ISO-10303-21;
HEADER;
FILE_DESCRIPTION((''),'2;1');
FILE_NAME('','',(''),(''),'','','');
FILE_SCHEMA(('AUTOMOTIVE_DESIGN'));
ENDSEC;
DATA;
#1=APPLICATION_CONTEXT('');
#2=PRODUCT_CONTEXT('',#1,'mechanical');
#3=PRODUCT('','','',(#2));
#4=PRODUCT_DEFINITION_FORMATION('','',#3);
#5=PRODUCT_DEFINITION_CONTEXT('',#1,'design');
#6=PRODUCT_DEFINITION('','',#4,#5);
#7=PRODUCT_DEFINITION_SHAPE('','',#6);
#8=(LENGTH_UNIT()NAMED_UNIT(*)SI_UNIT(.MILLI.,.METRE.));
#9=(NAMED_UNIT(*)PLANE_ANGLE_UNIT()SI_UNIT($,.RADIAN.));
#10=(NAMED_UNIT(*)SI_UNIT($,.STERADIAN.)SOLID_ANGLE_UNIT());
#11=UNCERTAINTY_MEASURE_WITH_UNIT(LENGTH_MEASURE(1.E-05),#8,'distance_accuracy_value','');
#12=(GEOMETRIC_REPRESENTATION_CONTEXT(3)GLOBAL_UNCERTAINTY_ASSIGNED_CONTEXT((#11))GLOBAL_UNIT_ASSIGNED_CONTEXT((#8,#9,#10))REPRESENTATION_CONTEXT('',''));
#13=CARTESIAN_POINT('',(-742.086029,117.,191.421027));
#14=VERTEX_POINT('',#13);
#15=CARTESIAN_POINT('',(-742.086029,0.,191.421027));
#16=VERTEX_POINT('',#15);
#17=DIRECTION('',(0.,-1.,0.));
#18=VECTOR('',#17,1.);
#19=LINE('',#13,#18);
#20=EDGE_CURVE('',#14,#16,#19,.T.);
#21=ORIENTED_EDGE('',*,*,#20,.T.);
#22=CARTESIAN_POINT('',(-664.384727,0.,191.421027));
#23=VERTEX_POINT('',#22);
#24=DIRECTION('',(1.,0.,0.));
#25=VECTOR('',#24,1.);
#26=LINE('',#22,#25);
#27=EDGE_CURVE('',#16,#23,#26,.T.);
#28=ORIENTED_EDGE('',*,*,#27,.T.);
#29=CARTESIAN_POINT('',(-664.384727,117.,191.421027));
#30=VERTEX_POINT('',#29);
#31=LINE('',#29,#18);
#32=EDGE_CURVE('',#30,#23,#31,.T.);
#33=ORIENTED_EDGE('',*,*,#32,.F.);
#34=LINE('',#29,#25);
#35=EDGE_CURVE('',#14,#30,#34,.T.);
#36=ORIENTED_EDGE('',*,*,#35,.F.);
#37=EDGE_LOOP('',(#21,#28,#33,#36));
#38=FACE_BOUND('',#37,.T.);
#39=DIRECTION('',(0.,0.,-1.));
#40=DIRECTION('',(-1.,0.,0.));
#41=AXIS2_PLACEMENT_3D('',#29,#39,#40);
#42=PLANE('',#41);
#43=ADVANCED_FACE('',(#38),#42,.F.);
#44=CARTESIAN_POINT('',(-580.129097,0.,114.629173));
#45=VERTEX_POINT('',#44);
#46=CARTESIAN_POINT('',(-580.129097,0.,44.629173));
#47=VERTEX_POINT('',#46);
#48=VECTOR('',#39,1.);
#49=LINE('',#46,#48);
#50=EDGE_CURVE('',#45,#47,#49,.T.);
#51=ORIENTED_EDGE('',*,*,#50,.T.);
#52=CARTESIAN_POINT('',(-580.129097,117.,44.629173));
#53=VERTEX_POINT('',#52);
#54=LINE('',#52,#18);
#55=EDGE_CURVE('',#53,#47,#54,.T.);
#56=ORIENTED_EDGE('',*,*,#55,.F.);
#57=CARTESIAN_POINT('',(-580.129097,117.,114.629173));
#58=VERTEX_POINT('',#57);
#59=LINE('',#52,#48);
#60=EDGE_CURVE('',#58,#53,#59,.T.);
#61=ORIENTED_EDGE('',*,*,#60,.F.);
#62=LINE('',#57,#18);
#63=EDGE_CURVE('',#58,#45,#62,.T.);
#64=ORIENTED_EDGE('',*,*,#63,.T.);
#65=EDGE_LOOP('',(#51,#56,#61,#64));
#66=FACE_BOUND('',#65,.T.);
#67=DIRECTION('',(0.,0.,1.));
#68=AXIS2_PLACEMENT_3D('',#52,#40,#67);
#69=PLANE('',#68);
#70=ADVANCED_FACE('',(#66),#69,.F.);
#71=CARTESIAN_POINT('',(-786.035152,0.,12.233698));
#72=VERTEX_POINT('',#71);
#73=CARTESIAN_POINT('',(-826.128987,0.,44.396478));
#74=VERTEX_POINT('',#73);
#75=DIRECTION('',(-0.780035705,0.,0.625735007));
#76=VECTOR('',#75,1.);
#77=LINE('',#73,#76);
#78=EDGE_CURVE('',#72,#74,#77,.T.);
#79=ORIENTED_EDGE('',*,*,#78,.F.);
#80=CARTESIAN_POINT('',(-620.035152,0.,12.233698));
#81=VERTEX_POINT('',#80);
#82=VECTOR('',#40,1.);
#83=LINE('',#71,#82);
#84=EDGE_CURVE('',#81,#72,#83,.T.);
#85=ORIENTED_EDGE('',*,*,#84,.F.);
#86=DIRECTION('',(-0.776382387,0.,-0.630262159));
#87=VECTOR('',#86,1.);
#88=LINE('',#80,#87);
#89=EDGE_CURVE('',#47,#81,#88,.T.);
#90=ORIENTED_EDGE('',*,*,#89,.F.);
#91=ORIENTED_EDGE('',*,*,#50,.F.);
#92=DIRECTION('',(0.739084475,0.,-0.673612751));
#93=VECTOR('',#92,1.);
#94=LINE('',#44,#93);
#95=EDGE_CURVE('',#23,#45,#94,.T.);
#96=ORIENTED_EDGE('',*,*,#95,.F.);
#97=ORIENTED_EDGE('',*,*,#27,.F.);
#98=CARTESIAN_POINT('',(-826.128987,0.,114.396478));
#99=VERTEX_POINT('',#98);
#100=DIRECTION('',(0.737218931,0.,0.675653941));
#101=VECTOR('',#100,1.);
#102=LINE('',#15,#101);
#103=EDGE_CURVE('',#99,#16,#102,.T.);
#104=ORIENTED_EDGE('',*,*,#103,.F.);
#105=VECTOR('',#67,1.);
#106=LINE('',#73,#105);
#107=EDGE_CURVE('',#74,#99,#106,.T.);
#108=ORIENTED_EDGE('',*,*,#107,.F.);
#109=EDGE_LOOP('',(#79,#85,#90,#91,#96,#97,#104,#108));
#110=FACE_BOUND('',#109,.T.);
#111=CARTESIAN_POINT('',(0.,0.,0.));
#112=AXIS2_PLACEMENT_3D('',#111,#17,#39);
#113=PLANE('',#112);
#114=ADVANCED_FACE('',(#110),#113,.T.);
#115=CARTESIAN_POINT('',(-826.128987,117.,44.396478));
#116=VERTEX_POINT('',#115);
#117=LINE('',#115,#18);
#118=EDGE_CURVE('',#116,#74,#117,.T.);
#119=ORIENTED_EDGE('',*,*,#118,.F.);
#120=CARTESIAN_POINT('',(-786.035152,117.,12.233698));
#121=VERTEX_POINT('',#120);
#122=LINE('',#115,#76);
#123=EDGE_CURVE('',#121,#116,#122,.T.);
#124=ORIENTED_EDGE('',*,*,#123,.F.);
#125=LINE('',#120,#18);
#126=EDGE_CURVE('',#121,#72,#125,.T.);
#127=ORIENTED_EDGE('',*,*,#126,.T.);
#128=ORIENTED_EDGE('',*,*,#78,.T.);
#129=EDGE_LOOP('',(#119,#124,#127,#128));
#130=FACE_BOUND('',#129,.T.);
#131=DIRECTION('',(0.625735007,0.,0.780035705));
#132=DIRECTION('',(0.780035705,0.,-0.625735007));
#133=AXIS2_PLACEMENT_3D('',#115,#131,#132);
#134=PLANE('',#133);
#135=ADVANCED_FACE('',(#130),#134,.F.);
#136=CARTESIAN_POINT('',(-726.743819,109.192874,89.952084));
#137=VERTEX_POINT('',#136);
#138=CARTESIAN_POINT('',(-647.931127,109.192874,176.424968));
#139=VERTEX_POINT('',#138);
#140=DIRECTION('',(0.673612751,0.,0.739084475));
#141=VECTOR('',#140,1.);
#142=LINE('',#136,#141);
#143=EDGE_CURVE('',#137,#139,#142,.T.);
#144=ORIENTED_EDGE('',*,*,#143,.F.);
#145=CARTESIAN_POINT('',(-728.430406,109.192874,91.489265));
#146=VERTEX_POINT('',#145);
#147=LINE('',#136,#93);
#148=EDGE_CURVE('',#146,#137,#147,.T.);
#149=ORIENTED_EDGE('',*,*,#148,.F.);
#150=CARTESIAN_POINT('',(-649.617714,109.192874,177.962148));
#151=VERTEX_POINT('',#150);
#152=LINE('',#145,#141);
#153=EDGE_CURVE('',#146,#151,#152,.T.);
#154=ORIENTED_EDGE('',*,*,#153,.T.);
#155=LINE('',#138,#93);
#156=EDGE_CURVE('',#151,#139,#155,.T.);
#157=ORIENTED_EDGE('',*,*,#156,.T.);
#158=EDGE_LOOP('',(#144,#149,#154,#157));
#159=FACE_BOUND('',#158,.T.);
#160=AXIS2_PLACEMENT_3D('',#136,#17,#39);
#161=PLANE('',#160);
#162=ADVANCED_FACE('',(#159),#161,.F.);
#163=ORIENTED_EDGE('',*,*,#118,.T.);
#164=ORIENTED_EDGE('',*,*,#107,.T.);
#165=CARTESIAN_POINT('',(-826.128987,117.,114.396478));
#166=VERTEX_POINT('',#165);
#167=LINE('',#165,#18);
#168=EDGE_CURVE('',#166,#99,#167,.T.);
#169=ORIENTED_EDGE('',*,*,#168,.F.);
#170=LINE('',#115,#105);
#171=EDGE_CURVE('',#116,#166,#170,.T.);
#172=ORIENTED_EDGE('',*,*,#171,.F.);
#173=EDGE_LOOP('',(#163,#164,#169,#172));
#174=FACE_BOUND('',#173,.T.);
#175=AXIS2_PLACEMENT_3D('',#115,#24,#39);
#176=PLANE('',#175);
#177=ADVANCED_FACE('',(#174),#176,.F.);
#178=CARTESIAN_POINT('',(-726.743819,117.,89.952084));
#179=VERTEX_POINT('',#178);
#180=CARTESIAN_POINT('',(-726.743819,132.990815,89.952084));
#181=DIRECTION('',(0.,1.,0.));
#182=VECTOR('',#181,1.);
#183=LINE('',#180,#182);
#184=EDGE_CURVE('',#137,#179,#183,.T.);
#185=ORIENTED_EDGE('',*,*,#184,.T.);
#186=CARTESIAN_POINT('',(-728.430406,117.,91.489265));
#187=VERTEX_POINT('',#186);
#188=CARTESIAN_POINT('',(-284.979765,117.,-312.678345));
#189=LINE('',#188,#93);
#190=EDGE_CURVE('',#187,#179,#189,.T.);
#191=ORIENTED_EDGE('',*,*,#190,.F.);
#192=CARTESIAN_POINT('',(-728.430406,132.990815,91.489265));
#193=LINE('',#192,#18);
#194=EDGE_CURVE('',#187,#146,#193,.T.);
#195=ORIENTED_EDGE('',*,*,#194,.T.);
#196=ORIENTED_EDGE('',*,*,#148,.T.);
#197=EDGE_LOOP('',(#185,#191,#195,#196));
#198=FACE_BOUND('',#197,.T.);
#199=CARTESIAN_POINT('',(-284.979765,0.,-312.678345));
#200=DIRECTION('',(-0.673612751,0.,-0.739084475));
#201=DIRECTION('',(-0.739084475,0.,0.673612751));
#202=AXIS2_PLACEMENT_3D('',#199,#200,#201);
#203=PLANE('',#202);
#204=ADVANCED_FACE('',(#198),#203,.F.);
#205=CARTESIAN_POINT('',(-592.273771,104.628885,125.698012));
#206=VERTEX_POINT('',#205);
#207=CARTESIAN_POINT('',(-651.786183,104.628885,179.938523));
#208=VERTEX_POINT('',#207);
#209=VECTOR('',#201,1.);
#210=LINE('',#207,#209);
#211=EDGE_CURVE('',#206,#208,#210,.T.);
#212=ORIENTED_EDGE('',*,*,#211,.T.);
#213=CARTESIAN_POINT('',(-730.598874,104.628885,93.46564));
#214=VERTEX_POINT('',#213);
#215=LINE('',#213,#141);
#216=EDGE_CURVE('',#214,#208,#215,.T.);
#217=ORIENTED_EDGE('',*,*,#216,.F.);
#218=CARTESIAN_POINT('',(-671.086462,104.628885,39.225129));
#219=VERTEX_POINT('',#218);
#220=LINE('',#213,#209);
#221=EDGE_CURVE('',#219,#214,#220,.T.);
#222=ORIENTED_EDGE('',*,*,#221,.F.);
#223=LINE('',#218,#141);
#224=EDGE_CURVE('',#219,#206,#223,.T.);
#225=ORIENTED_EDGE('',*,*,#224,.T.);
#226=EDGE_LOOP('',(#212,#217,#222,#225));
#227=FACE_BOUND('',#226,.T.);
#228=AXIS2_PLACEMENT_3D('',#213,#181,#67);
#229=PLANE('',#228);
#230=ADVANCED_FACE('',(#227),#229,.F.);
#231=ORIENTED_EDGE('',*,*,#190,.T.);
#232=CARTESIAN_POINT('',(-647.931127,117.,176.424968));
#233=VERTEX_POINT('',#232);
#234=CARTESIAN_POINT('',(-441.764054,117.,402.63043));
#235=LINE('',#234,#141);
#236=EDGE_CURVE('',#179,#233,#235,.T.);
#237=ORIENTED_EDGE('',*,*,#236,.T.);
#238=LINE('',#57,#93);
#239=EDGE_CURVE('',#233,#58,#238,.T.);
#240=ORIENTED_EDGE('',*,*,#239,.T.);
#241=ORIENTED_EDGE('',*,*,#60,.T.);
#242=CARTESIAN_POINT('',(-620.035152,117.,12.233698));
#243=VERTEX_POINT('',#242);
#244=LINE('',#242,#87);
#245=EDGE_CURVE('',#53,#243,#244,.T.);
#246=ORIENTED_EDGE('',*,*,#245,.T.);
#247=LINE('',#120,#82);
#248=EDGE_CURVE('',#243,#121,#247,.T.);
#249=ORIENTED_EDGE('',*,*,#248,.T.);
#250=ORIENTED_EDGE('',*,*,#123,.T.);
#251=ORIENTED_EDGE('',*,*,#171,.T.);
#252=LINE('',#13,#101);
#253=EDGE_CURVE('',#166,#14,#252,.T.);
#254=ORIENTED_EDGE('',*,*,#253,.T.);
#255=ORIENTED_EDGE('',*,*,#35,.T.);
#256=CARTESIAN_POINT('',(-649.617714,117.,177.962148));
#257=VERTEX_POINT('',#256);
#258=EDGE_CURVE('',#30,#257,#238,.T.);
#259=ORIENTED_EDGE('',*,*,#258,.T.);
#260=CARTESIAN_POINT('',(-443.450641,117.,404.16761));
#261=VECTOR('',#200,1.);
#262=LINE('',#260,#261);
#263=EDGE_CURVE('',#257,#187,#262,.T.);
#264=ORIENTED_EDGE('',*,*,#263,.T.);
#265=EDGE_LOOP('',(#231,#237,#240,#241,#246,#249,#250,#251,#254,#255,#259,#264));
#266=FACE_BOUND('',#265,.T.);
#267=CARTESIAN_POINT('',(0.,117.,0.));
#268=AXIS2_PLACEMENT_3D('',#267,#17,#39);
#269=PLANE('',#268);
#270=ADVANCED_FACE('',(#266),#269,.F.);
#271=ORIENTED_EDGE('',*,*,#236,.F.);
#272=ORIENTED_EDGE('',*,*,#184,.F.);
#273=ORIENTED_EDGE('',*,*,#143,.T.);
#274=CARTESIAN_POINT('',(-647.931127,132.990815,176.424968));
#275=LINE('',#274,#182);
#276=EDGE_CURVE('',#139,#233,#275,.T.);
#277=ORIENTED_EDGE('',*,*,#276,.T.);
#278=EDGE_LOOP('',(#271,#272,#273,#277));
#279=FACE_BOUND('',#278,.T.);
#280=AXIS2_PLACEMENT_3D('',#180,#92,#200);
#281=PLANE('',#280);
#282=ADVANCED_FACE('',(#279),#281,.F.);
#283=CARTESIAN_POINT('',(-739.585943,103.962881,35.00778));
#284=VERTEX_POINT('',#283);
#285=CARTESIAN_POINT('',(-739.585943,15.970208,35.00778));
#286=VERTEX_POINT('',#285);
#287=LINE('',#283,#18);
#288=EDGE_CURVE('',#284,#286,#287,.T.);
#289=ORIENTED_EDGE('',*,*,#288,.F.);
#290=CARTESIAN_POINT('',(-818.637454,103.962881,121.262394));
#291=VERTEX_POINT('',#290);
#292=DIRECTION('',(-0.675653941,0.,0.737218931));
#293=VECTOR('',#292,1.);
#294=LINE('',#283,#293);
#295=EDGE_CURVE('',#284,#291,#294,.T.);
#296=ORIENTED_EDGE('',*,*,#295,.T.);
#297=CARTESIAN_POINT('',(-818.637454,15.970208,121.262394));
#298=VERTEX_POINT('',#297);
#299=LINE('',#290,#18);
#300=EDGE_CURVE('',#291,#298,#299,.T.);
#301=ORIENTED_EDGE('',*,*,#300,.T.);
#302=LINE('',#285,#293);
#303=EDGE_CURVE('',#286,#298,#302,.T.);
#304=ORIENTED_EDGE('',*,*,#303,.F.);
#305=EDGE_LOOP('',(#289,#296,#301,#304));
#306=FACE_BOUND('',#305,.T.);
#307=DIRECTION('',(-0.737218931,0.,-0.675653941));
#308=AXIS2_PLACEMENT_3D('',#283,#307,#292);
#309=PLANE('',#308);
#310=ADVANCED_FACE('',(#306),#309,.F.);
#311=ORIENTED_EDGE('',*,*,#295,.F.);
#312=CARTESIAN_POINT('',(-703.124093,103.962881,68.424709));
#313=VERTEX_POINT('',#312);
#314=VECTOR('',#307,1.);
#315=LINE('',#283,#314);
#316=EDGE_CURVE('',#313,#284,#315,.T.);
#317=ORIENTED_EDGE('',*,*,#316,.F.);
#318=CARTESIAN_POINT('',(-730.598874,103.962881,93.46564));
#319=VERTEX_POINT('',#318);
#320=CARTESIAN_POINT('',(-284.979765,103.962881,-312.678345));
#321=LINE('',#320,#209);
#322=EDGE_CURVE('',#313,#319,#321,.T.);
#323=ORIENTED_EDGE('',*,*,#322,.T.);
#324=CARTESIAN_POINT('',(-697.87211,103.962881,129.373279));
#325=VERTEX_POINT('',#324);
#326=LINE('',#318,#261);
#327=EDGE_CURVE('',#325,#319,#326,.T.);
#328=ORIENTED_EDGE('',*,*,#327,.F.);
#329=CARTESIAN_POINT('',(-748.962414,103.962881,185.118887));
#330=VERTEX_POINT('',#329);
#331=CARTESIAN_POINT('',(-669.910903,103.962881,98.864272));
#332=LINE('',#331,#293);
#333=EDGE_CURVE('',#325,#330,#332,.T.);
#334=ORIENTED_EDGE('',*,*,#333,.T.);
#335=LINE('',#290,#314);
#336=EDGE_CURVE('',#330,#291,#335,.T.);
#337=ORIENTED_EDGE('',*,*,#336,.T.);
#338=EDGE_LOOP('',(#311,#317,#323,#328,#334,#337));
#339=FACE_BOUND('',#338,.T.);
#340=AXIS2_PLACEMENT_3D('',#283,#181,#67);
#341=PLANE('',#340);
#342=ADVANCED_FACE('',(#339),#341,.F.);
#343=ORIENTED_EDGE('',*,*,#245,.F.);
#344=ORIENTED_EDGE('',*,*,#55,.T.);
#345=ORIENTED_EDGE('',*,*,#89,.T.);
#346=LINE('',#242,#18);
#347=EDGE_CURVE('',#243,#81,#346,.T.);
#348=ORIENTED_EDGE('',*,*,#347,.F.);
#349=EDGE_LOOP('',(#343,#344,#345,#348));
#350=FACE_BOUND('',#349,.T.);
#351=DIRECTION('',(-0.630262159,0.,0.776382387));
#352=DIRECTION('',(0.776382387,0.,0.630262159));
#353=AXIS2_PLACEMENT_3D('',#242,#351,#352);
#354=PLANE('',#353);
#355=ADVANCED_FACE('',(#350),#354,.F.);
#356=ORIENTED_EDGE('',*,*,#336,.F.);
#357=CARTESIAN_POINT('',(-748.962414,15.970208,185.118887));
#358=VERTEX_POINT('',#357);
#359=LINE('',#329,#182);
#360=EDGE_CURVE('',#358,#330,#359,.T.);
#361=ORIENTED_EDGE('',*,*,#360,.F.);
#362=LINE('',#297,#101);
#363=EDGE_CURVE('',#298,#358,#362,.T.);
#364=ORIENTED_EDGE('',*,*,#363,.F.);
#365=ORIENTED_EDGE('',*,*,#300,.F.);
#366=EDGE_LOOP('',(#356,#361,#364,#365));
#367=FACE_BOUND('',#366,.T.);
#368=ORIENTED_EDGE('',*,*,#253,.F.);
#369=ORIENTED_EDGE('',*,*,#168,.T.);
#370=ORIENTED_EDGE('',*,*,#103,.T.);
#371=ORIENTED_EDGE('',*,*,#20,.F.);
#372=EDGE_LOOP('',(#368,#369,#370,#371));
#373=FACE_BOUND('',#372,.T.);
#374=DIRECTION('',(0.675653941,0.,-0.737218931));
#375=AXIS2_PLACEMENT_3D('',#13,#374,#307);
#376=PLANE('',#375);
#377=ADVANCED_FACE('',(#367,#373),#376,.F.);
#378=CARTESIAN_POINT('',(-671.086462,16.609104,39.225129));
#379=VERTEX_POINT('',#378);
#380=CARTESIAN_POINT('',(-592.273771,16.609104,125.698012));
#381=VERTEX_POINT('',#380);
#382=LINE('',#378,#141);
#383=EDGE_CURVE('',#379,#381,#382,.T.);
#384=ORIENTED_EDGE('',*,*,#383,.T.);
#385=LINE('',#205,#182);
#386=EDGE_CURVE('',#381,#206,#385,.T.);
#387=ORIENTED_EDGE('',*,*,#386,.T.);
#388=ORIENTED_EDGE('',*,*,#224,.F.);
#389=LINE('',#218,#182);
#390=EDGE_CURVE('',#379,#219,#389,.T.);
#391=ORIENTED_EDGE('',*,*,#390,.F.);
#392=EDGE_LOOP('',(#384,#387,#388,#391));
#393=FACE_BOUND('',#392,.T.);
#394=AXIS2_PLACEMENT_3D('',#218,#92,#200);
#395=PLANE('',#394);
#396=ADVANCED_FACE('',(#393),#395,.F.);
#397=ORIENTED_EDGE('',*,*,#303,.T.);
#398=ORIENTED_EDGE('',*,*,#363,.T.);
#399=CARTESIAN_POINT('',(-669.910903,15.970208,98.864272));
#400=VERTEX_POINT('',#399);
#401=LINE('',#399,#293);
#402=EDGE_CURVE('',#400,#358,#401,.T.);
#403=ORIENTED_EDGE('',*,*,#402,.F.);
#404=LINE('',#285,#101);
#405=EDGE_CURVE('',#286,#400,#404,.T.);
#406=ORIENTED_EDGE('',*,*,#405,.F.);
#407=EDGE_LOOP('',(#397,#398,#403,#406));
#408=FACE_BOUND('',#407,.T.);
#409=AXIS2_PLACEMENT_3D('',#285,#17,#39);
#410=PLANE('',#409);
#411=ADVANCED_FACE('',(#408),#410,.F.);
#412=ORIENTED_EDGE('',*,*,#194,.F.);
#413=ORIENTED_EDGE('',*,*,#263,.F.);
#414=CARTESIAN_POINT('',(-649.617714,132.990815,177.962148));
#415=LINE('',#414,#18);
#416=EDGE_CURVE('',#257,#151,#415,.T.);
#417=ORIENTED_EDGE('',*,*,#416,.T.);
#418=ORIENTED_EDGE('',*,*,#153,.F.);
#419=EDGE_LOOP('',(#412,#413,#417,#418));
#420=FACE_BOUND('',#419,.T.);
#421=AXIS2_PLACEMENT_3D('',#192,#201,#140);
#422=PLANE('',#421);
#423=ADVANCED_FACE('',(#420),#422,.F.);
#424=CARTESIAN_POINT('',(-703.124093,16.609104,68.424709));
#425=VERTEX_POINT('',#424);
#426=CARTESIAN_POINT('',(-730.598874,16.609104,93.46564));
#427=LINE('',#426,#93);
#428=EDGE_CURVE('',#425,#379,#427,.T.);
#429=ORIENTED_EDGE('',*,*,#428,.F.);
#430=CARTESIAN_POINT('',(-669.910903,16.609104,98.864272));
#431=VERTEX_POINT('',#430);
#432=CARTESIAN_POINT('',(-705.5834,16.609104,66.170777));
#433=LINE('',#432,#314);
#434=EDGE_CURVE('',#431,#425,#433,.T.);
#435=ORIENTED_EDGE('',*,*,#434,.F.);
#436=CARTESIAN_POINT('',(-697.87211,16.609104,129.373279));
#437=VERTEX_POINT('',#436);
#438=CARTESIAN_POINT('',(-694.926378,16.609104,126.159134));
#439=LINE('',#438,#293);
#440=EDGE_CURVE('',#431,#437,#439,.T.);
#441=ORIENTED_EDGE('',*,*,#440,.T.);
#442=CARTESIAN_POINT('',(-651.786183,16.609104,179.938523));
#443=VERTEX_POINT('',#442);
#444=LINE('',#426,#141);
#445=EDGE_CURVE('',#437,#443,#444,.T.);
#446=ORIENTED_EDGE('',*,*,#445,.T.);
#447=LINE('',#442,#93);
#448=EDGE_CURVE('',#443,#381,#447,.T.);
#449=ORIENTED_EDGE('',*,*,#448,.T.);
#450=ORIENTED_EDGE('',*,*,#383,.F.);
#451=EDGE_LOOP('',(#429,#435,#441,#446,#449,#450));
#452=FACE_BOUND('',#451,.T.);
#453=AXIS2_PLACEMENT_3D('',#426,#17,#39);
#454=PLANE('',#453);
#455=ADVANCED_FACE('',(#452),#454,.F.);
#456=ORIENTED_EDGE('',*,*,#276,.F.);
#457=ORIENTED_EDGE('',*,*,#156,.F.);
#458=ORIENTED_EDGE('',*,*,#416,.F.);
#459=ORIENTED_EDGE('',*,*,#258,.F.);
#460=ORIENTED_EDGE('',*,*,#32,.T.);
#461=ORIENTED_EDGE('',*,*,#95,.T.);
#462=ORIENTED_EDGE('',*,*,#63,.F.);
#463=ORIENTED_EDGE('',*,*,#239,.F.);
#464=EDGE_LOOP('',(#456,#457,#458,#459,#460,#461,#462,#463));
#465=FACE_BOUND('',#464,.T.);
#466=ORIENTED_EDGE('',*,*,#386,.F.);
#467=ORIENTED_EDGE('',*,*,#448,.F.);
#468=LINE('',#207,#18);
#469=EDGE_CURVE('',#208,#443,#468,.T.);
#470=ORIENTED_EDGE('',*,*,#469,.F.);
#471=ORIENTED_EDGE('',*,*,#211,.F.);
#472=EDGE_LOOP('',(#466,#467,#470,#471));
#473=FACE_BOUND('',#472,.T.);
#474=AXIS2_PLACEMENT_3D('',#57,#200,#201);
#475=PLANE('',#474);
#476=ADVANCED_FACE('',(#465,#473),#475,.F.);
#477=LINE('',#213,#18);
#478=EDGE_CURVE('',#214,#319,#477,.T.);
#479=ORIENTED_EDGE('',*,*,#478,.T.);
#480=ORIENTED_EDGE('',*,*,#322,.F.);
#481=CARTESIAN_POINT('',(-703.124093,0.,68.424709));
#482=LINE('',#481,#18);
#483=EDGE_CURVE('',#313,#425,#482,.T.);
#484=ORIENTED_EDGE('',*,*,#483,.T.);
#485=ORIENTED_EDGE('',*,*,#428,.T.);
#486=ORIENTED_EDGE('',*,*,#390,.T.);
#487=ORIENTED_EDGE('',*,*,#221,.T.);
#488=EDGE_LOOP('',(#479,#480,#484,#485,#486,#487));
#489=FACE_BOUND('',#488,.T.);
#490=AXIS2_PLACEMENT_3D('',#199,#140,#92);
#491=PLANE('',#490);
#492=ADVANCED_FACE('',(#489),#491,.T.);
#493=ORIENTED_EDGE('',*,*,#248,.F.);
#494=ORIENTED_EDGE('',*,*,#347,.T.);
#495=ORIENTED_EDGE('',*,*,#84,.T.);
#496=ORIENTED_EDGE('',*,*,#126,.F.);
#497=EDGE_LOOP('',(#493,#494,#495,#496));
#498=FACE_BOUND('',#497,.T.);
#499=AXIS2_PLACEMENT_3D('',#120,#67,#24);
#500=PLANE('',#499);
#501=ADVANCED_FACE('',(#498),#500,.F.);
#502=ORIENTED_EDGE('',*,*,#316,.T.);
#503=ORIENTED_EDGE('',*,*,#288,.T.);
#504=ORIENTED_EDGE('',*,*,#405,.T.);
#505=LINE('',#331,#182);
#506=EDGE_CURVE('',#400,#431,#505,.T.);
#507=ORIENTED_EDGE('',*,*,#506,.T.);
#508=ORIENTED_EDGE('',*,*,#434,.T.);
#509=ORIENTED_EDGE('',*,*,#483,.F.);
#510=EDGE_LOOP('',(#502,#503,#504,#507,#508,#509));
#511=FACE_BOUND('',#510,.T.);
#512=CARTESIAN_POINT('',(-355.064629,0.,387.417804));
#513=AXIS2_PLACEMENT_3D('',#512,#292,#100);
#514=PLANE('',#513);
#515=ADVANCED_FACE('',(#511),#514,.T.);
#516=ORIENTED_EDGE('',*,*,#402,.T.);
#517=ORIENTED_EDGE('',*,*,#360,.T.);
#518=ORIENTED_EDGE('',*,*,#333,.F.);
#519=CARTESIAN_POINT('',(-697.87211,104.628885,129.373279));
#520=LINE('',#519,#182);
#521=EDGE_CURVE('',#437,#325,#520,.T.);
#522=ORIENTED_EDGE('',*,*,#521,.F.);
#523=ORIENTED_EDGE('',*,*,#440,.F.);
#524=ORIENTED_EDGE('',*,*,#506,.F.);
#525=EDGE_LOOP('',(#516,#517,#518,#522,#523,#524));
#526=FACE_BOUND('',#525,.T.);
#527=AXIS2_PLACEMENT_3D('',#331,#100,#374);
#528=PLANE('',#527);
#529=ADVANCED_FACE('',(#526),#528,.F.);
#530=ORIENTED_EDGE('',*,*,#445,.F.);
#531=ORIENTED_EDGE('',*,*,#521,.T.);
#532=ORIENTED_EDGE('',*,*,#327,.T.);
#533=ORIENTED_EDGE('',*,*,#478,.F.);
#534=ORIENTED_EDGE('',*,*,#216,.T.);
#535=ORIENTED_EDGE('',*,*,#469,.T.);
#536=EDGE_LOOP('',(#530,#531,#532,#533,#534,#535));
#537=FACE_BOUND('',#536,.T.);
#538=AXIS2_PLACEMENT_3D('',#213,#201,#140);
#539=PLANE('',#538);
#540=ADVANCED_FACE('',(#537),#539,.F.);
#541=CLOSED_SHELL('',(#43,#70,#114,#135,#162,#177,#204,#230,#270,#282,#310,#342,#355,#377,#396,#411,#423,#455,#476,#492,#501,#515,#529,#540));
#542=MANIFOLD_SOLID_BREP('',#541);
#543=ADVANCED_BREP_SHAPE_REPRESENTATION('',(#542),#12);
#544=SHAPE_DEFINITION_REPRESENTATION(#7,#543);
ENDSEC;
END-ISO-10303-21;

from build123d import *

# Parameters (mm, degrees)
BOSS_EXTRUDE3_DEPTH = 117
SKETCH3_W           = 2.281994321
SKETCH3_H           = 23.79794077
SKETCH3_W_2         = 80.521799592
SKETCH3_H_2         = 88.019780931
CUT_EXTRUDE1_DEPTH  = 117
SKETCH4_W           = 94.510648664
SKETCH4_H           = 87.992672894
CUT_EXTRUDE2_DEPTH  = 117


with BuildPart() as part:
    # Sketch2 → Boss-Extrude3 (new body)
    with BuildSketch(Plane(origin=(0, 0, 0), x_dir=(1, 0, 0), z_dir=(0, 1, 0))):
        Polygon((-826.128986822, -44.396477746), (-786.035151567, -12.233698412), (-620.035151567, -12.233698412), (-580.129096878, -44.629173391), (-580.129096878, -114.629173391), (-664.384727068, -191.421027004), (-742.086028689, -191.421027004), (-826.128986822, -114.396477746), align=None)
    extrude(amount=BOSS_EXTRUDE3_DEPTH)

    # Sketch3 → Cut-Extrude1 (cut)
    with BuildSketch(Plane(origin=(-206.167073408, 0, -226.205461612), x_dir=(0.7390844753537593, 0, -0.6736127509860976), z_dir=(0.6736127509860976, 0, 0.7390844753537593))):
        with Locations((-598.858942552, 121.091844218)):
            Rectangle(SKETCH3_W, SKETCH3_H)
        with Locations((-562.673032613, 60.618994727)):
            Rectangle(SKETCH3_W_2, SKETCH3_H_2)
    extrude(amount=-CUT_EXTRUDE1_DEPTH, mode=Mode.SUBTRACT)

    # Sketch4 → Cut-Extrude2 (cut)
    with BuildSketch(Plane(origin=(-434.116139586, 0, 473.672418674), x_dir=(0.7372189309889005, 0, 0.6756539408540315), z_dir=(-0.6756539408540315, 0, 0.7372189309889005))):
        with Locations((-474.328289605, 59.966544548)):
            Rectangle(SKETCH4_W, SKETCH4_H)
    extrude(amount=-CUT_EXTRUDE2_DEPTH, mode=Mode.SUBTRACT)


solid = part.part
